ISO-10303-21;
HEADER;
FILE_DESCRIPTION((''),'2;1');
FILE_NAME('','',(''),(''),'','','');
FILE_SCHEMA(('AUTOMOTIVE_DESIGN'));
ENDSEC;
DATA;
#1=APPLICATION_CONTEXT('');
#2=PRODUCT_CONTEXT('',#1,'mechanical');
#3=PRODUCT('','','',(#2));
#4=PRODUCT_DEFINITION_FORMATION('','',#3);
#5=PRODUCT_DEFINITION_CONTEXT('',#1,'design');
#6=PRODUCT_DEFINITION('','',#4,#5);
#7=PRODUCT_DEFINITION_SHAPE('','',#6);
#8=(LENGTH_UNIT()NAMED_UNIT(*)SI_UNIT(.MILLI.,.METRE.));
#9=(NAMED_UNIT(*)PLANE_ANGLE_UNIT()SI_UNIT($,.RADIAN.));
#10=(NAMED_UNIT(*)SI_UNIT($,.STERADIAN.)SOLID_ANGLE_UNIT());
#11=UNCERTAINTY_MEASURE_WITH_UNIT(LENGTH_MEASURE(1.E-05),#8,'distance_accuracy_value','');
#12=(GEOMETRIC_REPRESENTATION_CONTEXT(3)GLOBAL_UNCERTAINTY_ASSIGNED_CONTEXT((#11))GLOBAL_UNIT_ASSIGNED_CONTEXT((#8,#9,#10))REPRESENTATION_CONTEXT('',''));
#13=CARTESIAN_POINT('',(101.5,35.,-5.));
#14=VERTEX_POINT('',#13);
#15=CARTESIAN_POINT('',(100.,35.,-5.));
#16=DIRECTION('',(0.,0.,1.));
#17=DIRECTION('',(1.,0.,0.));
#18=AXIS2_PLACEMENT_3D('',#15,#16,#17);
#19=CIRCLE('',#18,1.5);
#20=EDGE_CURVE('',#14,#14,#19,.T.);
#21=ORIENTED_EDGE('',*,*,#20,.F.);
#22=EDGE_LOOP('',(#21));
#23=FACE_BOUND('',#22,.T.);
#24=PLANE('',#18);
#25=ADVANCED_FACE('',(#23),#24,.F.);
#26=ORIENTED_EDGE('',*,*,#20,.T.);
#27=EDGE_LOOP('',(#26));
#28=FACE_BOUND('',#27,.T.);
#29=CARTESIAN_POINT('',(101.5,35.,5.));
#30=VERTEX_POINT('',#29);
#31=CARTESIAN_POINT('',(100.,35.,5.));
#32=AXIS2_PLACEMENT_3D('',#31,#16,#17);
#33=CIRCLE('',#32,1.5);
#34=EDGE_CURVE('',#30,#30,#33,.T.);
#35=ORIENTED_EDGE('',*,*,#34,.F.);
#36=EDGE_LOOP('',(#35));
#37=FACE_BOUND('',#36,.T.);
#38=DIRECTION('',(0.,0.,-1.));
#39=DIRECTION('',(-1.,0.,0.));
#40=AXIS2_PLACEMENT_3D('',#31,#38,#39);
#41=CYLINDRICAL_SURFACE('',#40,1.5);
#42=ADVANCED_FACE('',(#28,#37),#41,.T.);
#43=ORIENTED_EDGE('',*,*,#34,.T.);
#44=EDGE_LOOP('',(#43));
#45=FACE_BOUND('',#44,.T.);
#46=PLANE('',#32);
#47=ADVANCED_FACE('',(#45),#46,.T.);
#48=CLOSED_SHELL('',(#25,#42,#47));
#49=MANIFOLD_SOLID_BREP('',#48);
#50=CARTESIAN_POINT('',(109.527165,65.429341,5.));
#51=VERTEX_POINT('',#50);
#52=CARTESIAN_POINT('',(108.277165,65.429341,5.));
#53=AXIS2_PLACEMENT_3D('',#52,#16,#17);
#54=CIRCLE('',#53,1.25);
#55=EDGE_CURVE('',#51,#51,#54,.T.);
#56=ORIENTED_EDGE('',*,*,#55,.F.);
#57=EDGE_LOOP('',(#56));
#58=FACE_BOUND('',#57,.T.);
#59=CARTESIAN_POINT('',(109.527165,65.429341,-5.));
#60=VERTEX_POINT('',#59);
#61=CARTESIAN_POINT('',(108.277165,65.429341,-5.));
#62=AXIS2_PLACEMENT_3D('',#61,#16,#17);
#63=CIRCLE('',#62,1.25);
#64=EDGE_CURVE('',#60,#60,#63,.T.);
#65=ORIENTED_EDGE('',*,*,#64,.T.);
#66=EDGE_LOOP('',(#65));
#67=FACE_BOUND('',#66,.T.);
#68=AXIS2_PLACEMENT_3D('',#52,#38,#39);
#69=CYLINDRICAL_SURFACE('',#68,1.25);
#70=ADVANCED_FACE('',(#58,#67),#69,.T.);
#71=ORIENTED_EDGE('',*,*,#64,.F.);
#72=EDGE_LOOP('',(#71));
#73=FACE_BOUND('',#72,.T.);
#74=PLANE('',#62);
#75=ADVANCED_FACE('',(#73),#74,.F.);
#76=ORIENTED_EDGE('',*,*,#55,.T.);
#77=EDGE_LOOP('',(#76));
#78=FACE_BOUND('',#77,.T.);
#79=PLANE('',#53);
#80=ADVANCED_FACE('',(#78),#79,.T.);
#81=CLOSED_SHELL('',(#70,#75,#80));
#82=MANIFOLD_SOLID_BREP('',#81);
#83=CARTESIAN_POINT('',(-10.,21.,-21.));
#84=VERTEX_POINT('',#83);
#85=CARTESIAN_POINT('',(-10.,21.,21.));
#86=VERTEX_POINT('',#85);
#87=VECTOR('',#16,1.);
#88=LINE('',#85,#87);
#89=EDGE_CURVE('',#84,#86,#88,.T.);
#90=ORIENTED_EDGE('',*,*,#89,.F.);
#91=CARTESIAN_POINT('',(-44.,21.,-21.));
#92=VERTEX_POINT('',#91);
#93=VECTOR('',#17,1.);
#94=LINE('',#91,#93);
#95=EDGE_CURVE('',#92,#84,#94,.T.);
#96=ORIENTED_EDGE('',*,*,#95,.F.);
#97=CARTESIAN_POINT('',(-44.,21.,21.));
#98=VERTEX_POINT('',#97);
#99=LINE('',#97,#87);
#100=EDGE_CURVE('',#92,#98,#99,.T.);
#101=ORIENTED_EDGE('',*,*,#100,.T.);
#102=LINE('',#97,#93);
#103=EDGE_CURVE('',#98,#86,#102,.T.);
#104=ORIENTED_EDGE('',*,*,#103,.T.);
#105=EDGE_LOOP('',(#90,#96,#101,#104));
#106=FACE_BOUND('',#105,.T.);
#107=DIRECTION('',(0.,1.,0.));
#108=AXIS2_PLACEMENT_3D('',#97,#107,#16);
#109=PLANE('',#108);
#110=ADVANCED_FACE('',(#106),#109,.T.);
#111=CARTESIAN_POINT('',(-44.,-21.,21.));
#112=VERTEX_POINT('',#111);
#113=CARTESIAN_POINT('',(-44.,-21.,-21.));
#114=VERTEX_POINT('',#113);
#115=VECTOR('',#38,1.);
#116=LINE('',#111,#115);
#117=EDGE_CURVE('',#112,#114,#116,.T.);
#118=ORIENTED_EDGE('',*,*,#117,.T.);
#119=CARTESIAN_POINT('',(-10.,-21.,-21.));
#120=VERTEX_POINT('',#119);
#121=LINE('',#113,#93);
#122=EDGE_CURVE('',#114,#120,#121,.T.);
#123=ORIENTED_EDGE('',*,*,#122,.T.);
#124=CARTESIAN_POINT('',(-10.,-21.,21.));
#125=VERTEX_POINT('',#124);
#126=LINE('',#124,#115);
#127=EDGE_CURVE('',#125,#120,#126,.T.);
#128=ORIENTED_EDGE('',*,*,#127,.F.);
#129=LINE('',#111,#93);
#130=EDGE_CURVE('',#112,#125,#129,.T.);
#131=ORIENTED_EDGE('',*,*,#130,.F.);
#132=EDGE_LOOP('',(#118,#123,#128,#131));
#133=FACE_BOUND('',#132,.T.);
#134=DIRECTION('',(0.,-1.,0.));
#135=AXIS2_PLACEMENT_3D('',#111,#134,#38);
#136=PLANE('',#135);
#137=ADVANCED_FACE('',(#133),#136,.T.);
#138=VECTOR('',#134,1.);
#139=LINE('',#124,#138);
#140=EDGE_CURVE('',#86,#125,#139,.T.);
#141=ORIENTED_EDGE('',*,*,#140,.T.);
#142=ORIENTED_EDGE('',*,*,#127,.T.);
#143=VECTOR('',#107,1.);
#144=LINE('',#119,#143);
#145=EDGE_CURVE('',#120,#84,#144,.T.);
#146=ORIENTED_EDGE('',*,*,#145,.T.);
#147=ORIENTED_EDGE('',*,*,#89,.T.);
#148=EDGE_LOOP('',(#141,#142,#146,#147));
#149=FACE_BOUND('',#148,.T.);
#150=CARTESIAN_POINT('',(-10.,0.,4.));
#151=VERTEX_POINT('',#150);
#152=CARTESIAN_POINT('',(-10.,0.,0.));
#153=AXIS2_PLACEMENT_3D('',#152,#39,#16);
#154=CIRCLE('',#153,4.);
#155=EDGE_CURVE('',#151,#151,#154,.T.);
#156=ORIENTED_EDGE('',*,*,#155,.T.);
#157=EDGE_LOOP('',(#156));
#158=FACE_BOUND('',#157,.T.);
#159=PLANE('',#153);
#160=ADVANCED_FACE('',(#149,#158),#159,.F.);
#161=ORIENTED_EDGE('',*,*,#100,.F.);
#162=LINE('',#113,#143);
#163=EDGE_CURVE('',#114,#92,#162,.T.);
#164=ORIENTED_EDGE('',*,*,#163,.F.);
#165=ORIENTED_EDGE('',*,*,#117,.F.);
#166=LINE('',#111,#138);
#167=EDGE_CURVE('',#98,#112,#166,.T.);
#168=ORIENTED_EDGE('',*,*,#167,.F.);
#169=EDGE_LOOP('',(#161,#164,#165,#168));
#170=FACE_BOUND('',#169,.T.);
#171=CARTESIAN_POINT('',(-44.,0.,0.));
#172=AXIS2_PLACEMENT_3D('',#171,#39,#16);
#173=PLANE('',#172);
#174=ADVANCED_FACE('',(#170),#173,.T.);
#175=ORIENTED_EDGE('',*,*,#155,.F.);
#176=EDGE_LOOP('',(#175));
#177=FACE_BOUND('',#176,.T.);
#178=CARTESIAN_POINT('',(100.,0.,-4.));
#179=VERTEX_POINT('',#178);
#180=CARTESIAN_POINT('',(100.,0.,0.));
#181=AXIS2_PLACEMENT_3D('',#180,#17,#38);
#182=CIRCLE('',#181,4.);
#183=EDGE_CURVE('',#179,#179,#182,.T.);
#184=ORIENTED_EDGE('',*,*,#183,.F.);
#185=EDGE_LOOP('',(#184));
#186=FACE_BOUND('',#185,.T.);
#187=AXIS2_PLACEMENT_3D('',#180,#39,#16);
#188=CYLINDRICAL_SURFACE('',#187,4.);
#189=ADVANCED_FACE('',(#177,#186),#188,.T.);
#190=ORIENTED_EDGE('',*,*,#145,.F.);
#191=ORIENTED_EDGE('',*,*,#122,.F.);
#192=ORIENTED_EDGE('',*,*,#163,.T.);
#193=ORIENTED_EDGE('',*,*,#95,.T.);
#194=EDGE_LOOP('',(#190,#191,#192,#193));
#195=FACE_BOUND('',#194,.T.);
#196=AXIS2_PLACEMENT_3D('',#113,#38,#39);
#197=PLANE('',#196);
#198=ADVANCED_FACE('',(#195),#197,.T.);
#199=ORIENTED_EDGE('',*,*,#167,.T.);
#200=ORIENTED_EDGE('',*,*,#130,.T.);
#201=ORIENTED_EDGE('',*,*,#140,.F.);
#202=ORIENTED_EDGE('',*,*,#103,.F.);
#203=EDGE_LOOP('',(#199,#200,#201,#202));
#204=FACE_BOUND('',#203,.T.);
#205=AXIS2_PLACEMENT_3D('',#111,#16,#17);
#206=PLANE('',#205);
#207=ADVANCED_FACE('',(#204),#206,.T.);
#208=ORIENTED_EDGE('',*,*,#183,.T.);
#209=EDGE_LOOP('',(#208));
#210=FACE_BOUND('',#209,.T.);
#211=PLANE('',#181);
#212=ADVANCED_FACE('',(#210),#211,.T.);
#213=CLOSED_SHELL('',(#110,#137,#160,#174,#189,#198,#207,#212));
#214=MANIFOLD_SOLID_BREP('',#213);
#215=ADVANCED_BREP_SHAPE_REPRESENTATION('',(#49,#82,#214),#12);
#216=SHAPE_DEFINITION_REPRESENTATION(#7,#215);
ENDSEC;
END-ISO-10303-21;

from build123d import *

# Parameters (mm, degrees)
SKETCH_1_W          = 42
SKETCH_1_H          = 42
EXTRUDE_1_DEPTH     = 44
SKETCH_2_R          = 4
EXTRUDE_2_DEPTH     = 100
SKETCH_5_R          = 1.5
EXTRUDE_3_DEPTH     = 5
SKETCH_6_R          = 1.25
EXTRUDE_4_DEPTH     = 5
SKETCH_1_2_W        = 42
SKETCH_1_2_H        = 42
CUT_EXTRUDE_1_DEPTH = 10
SKETCH_2_2_R        = 4
EXTRUDE_5_DEPTH     = 20


with BuildPart() as part:
    # 草图1 → 凸台-拉伸1 (new body)
    with BuildSketch(Plane(origin=(0, 0, 0), x_dir=(0, 0, -1), z_dir=(1, 0, 0))):
        Rectangle(SKETCH_1_W, SKETCH_1_H)
    extrude(amount=-EXTRUDE_1_DEPTH)

    # 草图2 → 凸台-拉伸2 (add)
    with BuildSketch(Plane(origin=(0, 0, 0), x_dir=(0, 0, -1), z_dir=(1, 0, 0))):
        Circle(SKETCH_2_R)
    extrude(amount=EXTRUDE_2_DEPTH)

    # 草图1<2> → 切除-拉伸1 (cut)
    with BuildSketch(Plane(origin=(0, 0, 0), x_dir=(0, 0, -1), z_dir=(1, 0, 0))):
        Rectangle(SKETCH_1_2_W, SKETCH_1_2_H)
    extrude(amount=-CUT_EXTRUDE_1_DEPTH, mode=Mode.SUBTRACT)


with BuildPart() as body_2:
    # 草图5 → 凸台-拉伸3 (new, symmetric)
    with BuildSketch(Plane.XY):
        with Locations((100, 35)):
            Circle(SKETCH_5_R)
    extrude(amount=EXTRUDE_3_DEPTH, both=True)


with BuildPart() as body_3:
    # 草图6 → 凸台-拉伸4 (new, symmetric)
    with BuildSketch(Plane.XY):
        with Locations((108.27716468, 65.429340608)):
            Circle(SKETCH_6_R)
    extrude(amount=EXTRUDE_4_DEPTH, both=True)


with BuildPart() as cut_extrude_1_piece_1:
    # of the separate pieces the step leaves, piece 1, a body of its own (cut_extrude_1_pieces)
    add(part.part.solids().sort_by_distance((-10, -21, 21))[0])



with BuildPart() as cut_extrude_1_piece_2:
    # of the separate pieces the step leaves, piece 2, a body of its own (cut_extrude_1_pieces)
    add(part.part.solids().sort_by_distance((0, 0, -4))[0])


with BuildPart() as cut_extrude_1_piece_1_1:
    add(cut_extrude_1_piece_1.part)

    add(cut_extrude_1_piece_2.part)  # 凸台-拉伸5 merges 切除-拉伸1 piece 2
    # 草图2<2> → 凸台-拉伸5 (add)
    with BuildSketch(Plane(origin=(0, 0, 0), x_dir=(0, 0, -1), z_dir=(1, 0, 0))):
        Circle(SKETCH_2_2_R)
    extrude(amount=-EXTRUDE_5_DEPTH)


solid = Compound([body_2.part, body_3.part, cut_extrude_1_piece_1_1.part])
